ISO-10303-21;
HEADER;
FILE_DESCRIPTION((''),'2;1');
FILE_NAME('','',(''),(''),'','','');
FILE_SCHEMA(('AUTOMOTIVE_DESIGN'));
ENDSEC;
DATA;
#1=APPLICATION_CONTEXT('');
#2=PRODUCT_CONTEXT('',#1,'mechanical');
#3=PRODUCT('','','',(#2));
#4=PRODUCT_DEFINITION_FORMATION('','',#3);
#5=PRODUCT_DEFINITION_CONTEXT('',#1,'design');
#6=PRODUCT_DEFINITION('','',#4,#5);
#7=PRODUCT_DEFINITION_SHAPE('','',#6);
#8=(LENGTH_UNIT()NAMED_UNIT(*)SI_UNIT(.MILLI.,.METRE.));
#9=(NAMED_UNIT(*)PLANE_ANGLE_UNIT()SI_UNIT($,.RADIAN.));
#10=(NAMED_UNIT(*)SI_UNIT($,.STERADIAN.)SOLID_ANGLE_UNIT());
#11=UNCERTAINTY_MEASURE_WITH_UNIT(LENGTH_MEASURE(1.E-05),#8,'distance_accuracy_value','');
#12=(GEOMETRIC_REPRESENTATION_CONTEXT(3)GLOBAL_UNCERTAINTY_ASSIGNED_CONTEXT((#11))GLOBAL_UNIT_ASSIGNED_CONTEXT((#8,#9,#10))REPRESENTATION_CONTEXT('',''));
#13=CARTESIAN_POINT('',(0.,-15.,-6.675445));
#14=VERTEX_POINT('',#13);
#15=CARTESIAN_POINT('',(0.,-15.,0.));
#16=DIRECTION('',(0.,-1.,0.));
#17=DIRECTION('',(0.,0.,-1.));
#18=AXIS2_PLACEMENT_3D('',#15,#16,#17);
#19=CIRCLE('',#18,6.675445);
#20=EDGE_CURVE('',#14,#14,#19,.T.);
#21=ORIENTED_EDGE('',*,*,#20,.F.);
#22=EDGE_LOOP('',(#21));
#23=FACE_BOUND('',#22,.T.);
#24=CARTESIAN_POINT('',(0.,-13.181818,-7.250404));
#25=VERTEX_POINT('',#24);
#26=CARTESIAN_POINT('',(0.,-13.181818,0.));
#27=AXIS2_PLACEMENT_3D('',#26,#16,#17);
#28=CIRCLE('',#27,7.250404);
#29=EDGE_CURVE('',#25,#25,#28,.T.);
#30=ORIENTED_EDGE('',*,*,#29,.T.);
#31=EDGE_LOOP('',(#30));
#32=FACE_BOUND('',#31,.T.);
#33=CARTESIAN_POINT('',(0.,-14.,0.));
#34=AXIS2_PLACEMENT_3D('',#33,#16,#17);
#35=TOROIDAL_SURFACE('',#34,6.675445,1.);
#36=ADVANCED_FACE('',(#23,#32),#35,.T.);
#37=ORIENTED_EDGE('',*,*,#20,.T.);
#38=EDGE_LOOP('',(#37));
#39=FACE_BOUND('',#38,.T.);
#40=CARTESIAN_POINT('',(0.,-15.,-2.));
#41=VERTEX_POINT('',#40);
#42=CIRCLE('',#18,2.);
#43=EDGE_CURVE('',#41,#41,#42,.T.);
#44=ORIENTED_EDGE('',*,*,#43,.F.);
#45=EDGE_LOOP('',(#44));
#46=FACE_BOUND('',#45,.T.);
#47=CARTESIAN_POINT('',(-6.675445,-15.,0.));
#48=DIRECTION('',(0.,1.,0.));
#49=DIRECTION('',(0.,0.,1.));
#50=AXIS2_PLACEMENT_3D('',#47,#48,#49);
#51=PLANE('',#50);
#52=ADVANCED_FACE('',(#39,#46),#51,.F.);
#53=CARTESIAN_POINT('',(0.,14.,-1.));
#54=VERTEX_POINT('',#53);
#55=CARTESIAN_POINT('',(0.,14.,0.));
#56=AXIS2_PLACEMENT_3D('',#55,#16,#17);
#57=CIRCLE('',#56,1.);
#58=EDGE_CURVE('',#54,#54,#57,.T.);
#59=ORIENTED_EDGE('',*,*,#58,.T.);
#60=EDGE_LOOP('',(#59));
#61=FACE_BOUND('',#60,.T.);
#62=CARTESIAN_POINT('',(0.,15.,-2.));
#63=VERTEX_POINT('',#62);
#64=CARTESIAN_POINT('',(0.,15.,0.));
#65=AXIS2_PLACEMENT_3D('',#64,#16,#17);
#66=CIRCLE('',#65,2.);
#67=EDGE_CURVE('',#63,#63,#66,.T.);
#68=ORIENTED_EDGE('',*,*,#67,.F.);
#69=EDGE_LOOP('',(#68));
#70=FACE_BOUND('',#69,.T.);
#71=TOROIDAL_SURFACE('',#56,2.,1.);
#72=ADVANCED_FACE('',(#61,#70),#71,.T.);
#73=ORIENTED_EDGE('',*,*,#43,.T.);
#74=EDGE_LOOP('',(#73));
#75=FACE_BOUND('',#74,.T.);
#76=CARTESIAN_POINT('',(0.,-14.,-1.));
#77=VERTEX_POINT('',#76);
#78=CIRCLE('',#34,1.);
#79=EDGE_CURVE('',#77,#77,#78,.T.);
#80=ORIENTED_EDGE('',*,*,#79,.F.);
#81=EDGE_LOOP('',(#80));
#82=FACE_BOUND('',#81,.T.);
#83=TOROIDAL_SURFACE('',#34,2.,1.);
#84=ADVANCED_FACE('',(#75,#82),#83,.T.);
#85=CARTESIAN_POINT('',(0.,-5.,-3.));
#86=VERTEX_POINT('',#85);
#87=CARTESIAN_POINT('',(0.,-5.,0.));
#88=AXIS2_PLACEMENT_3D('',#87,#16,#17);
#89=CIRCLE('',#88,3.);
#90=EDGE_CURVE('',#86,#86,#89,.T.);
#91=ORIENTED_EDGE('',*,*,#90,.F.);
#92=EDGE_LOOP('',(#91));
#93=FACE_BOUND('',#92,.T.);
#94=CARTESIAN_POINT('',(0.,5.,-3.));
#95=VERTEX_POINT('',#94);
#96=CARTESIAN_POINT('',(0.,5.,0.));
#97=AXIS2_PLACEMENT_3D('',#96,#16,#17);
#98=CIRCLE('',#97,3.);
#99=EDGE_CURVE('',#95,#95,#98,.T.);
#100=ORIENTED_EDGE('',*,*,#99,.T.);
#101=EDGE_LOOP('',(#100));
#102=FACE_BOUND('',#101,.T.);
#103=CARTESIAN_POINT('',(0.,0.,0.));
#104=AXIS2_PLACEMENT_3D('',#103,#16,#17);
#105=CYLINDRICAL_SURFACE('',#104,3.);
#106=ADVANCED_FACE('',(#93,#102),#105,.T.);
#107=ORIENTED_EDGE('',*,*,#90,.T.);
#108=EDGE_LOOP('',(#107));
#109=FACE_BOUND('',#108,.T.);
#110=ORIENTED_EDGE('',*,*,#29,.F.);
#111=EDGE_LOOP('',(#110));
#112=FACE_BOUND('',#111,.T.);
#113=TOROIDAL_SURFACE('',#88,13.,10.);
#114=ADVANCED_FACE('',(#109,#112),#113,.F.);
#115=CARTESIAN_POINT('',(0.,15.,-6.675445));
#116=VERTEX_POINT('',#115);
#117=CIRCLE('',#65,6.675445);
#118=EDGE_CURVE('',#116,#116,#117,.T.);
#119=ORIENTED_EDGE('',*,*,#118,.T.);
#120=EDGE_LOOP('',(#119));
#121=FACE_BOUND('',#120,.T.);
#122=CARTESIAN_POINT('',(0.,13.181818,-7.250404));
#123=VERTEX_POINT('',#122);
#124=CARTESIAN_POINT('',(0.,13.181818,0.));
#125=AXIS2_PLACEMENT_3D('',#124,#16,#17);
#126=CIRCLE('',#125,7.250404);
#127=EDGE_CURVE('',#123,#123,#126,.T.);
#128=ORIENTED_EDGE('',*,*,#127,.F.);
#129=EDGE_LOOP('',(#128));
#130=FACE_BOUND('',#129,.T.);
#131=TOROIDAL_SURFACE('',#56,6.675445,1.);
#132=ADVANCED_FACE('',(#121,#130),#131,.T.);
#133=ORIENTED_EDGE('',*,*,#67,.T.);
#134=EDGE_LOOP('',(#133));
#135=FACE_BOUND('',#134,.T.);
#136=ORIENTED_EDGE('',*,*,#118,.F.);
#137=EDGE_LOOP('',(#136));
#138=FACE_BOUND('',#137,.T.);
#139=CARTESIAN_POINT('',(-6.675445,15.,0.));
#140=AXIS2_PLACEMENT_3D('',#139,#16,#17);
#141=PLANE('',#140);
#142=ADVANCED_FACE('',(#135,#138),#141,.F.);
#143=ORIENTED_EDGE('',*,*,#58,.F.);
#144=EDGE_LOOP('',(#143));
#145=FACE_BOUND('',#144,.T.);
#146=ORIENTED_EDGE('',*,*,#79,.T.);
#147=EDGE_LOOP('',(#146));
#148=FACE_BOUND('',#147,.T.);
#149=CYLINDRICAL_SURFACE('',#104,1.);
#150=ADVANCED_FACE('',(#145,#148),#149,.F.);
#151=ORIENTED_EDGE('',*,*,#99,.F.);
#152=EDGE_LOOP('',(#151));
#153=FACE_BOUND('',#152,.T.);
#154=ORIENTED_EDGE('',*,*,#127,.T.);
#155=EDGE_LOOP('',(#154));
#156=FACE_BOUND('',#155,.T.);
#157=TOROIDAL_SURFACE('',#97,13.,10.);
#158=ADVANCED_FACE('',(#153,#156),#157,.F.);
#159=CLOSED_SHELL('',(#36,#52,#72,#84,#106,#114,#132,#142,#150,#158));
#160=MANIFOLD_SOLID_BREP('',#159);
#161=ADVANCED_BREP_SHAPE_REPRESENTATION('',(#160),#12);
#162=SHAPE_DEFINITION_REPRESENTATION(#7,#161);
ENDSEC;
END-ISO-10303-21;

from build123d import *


with BuildPart() as part:
    # 草图4 → 旋转1 (revolve)
    with BuildSketch(Plane.XY, mode=Mode.PRIVATE) as revolve_1_sk:
        with BuildLine():
            Line((-6.67544468, 15), (-2, 15))
            ThreePointArc((-2, 15), (-1.292893219, 14.707106781), (-1, 14))
            Line((-1, 14), (-1, -14))
            ThreePointArc((-1, -14), (-1.292893219, -14.707106781), (-2, -15))
            Line((-2, -15), (-6.67544468, -15))
            ThreePointArc((-6.67544468, -15), (-7.628907269, -14.301511345), (-7.250404254, -13.181818182))
            ThreePointArc((-7.250404254, -13.181818182), (-4.125994212, -9.609991461), (-3, -5))
            Line((-3, -5), (-3, 5))
            ThreePointArc((-3, 5), (-4.125994212, 9.609991461), (-7.250404254, 13.181818182))
            ThreePointArc((-7.250404254, 13.181818182), (-7.628907269, 14.301511345), (-6.67544468, 15))
        make_face()
    revolve(revolve_1_sk.sketch.rotate(Axis((0, 0, 0), (0, 1, 0)), 270), axis=Axis((0, 0, 0), (0, 1, 0)))


solid = part.part
